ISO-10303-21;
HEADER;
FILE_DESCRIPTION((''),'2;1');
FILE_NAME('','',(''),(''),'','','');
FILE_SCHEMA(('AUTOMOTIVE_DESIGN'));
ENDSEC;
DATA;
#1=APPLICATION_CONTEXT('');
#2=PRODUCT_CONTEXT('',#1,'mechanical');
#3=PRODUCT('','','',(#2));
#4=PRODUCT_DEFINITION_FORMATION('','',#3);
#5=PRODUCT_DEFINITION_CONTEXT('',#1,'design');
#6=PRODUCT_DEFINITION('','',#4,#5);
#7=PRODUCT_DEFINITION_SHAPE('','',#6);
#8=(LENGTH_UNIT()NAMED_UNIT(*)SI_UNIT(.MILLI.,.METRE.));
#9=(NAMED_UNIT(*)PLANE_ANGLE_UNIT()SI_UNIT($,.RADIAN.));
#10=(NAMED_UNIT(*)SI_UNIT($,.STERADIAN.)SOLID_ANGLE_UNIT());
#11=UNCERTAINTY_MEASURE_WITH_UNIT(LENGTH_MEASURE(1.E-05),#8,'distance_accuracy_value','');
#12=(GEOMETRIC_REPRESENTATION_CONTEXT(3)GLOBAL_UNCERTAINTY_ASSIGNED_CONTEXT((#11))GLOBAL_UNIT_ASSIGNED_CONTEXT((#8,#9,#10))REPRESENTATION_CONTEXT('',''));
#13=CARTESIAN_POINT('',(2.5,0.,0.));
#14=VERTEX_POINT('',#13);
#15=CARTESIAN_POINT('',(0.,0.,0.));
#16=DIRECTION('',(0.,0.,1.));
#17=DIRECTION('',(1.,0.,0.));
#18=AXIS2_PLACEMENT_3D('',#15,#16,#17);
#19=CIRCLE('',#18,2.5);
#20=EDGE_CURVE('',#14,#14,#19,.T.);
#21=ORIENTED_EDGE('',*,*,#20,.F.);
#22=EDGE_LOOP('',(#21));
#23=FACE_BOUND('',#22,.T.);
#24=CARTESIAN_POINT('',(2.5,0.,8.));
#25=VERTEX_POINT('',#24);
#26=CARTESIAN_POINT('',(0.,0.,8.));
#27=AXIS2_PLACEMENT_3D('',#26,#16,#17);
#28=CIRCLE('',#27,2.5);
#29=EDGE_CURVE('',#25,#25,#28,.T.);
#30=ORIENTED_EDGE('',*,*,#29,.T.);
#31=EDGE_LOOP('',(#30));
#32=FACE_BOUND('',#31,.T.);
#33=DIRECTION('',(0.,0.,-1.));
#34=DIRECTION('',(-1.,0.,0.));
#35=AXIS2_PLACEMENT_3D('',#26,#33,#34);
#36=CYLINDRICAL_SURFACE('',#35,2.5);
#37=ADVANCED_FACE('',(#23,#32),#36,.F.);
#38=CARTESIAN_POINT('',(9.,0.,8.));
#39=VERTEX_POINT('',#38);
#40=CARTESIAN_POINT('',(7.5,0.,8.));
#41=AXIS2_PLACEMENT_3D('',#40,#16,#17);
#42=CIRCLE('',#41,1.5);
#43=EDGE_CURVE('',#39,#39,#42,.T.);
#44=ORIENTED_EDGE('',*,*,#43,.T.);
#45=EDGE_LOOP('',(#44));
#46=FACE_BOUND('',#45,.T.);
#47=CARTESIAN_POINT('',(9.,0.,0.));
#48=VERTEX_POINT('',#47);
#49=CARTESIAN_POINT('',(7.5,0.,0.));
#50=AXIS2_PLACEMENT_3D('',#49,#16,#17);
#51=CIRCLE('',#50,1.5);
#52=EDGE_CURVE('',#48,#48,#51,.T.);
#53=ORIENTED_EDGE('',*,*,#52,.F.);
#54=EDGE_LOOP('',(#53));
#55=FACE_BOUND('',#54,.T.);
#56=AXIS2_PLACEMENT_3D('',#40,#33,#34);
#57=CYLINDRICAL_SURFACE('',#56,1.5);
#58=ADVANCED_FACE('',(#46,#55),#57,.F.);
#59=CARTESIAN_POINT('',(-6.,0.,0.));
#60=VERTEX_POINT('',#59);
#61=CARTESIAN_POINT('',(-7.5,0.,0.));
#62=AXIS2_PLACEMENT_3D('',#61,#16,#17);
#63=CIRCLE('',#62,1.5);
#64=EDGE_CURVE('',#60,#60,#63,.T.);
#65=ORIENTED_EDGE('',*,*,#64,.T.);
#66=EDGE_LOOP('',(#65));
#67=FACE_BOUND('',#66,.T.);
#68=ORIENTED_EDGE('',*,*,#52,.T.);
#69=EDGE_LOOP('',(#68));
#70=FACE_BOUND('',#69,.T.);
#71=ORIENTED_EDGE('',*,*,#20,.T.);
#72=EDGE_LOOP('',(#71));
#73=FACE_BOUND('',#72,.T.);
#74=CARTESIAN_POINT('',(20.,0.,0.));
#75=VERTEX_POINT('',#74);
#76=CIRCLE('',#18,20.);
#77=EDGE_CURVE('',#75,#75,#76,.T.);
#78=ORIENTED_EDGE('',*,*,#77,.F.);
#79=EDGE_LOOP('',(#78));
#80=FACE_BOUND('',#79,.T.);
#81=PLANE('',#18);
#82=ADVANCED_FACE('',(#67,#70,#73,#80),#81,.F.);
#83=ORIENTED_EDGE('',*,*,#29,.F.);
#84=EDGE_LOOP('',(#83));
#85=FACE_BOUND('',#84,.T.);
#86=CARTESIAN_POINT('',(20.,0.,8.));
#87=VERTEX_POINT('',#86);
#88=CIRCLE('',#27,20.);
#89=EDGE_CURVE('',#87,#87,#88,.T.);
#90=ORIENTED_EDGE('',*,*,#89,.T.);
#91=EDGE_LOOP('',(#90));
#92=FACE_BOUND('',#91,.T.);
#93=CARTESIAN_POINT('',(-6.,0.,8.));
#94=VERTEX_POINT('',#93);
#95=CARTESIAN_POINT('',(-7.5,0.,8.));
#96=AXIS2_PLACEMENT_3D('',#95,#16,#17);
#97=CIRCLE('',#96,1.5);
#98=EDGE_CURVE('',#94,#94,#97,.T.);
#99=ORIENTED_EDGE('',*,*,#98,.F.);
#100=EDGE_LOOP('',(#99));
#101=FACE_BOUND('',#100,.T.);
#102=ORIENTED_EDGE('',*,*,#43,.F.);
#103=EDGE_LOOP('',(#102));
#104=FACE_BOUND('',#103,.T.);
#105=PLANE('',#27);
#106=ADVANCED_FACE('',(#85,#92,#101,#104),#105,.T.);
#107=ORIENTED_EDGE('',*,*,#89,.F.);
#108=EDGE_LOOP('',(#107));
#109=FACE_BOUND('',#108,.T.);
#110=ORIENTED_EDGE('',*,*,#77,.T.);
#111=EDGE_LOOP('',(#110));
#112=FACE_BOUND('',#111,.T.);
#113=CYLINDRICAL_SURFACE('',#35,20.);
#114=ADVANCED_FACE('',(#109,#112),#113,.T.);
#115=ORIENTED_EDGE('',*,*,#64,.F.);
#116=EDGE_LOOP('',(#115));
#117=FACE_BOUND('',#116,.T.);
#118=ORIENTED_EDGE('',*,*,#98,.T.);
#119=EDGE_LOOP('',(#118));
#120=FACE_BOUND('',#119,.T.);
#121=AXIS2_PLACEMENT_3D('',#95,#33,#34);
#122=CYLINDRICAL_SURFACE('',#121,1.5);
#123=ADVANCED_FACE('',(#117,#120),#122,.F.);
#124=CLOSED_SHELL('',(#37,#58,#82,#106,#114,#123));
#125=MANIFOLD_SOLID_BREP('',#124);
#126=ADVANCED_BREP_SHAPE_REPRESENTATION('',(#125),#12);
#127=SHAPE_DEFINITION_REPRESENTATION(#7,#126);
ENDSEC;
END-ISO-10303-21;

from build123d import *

# Parameters (mm, degrees)
SKETCH1_R           = 20
SKETCH1_R_2         = 2.5
SKETCH1_R_3         = 1.5
BOSS_EXTRUDE3_DEPTH = 8


with BuildPart() as part:
    # Sketch1 → Boss-Extrude3 (new body)
    with BuildSketch(Plane.XY):
        Circle(SKETCH1_R)
        Circle(SKETCH1_R_2, mode=Mode.SUBTRACT)
        with Locations((7.5, 0)):
            Circle(SKETCH1_R_3, mode=Mode.SUBTRACT)
        with Locations((-7.5, 0)):
            Circle(SKETCH1_R_3, mode=Mode.SUBTRACT)
    extrude(amount=BOSS_EXTRUDE3_DEPTH)


solid = part.part
